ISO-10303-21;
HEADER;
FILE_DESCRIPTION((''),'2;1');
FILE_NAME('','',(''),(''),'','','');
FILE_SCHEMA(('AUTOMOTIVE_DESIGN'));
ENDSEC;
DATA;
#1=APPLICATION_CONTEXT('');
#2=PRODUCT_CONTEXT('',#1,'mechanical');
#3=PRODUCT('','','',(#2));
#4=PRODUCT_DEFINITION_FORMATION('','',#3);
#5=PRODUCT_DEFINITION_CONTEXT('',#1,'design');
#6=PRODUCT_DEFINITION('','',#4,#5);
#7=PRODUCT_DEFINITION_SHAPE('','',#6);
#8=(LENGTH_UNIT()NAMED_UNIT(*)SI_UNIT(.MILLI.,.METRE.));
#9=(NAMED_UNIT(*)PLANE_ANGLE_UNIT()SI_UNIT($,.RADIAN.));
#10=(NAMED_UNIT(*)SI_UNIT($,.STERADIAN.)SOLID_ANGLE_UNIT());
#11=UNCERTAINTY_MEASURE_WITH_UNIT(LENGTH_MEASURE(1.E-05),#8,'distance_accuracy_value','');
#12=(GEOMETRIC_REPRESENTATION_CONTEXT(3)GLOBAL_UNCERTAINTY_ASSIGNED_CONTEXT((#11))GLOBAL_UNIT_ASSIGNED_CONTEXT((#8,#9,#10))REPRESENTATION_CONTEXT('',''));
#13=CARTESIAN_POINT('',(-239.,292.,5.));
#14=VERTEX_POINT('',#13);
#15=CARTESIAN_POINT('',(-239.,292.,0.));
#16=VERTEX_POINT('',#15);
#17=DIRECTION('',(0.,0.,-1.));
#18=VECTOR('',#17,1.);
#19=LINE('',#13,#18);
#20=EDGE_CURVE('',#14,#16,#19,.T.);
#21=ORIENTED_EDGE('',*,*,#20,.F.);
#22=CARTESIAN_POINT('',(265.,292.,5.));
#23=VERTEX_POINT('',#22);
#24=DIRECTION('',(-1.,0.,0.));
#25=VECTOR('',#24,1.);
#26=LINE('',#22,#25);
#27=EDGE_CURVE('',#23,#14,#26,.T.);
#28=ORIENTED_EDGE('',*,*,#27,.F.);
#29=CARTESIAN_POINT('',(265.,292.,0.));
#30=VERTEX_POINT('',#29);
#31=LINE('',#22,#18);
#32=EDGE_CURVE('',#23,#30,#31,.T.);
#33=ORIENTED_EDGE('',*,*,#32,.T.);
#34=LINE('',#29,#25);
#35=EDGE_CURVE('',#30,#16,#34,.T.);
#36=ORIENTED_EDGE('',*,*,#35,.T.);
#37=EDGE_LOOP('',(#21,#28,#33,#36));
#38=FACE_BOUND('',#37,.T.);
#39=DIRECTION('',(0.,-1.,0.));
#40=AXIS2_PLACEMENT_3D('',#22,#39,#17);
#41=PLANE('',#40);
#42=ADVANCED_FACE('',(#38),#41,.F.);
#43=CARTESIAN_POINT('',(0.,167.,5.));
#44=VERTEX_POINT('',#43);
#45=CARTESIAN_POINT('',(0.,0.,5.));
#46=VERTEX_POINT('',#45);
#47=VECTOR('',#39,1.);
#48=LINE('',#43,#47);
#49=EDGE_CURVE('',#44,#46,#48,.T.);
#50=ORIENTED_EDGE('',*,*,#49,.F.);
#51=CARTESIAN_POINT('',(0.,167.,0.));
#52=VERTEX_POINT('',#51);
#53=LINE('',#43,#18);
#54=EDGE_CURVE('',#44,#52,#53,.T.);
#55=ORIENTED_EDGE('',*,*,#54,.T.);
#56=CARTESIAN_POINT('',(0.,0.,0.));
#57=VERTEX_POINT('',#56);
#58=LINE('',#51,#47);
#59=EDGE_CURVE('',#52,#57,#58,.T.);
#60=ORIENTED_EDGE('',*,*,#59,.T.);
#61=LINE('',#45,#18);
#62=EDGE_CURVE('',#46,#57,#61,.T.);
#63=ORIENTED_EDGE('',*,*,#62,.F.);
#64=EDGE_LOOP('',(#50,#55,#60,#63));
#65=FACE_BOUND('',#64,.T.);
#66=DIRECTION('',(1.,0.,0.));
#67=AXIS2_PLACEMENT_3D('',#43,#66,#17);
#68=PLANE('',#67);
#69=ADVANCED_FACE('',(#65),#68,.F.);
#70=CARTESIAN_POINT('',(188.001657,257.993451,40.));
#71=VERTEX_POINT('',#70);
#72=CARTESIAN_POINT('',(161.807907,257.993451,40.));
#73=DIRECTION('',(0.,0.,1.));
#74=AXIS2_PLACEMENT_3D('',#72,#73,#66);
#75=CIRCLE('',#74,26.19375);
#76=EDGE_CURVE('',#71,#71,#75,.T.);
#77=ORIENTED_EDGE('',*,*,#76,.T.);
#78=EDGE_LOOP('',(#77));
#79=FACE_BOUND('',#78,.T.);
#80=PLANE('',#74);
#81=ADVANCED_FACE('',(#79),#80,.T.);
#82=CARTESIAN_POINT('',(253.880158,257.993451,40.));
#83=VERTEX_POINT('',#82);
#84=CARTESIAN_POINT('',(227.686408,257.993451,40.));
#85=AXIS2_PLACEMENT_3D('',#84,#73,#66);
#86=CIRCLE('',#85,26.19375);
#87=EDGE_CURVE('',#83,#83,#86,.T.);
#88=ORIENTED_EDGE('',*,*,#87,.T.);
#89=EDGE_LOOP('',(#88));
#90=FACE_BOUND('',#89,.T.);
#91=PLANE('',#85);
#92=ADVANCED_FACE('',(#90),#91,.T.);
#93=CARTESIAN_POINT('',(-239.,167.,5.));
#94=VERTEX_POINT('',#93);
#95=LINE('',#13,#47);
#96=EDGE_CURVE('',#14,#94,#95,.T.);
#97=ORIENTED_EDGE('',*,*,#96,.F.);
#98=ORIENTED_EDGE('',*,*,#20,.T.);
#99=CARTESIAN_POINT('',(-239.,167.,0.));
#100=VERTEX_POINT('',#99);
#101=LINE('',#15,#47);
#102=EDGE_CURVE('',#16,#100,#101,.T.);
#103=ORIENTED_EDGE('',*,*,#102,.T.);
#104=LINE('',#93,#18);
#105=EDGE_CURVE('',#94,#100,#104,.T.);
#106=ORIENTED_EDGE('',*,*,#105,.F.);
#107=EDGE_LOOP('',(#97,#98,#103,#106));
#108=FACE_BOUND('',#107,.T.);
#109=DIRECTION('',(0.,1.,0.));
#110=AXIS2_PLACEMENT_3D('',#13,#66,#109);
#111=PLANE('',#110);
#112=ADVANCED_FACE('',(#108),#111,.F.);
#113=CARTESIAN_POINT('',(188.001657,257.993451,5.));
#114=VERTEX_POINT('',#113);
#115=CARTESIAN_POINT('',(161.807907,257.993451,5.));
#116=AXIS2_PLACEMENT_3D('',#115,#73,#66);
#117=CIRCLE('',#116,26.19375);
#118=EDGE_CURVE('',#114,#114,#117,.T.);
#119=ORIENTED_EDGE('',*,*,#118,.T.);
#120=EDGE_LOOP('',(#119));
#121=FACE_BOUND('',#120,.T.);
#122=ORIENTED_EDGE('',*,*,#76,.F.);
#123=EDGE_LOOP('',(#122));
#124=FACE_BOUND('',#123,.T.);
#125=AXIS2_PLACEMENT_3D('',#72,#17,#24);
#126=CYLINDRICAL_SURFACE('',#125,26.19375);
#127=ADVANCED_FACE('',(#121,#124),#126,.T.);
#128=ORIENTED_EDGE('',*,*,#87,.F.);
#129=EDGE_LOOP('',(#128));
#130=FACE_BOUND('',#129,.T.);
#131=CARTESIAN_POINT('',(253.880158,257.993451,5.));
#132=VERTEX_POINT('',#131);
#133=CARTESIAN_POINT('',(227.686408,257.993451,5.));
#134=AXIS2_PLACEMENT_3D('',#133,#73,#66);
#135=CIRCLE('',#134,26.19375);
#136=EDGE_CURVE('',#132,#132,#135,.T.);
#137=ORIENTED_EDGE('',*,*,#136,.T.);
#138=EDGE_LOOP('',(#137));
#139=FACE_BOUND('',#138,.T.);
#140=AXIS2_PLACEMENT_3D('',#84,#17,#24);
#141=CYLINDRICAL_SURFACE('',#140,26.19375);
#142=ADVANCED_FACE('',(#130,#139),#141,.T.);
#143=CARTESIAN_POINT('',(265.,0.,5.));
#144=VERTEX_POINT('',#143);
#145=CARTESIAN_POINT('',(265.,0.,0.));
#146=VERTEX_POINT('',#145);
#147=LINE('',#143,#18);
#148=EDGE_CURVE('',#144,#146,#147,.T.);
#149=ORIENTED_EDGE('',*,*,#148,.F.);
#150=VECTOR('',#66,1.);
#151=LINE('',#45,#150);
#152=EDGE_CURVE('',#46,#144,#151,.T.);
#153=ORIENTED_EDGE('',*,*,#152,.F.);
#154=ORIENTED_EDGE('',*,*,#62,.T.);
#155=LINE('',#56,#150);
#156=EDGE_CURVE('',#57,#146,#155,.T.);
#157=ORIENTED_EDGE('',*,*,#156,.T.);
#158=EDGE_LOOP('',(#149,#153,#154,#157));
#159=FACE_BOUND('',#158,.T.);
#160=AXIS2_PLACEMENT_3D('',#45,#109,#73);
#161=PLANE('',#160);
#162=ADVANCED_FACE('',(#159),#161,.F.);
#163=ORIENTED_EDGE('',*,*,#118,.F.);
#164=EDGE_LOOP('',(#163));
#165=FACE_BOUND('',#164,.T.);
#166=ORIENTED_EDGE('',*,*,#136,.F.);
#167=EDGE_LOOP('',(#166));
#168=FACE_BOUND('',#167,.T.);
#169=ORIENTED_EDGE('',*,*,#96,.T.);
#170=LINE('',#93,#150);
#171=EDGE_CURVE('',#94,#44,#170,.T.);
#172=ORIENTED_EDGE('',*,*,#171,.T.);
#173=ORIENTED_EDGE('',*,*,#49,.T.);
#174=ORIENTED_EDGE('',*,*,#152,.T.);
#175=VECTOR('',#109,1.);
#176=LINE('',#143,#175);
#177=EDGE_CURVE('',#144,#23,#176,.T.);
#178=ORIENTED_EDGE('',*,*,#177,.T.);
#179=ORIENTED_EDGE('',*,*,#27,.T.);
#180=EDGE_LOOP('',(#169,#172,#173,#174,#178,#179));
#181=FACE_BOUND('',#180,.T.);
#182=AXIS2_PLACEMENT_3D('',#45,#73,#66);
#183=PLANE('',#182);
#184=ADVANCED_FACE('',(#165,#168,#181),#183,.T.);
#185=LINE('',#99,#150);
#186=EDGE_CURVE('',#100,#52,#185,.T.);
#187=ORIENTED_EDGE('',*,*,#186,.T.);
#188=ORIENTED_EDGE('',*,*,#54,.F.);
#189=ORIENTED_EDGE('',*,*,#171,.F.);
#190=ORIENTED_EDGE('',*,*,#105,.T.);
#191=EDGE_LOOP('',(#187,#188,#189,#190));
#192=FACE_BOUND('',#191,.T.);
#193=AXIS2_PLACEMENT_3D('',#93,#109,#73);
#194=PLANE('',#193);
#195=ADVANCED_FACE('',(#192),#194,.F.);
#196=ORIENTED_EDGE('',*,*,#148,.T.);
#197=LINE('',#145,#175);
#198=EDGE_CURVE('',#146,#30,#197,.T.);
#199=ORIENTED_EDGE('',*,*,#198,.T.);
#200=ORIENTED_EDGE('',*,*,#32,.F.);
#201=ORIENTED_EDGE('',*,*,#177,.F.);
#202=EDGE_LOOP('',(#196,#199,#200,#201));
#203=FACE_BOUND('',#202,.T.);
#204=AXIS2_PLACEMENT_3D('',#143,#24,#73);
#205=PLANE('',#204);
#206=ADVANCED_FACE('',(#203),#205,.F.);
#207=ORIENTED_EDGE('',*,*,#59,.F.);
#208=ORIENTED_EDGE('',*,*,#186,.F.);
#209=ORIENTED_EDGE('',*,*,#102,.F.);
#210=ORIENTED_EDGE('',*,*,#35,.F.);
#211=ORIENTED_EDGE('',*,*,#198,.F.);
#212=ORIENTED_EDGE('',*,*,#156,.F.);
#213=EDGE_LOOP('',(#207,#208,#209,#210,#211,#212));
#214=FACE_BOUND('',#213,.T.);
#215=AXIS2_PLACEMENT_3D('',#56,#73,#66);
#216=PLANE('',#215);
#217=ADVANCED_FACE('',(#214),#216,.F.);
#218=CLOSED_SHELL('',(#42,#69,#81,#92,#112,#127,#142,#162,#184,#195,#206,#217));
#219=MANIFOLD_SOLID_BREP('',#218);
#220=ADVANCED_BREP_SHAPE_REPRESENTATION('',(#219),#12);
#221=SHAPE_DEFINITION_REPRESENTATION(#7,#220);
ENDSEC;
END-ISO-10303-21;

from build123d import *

# Parameters (mm, degrees)
BOSS_EXTRUDE1_DEPTH = 5
SKETCH2_R           = 26.19375
BOSS_EXTRUDE2_DEPTH = 35


with BuildPart() as part:
    # Sketch1 → Boss-Extrude1 (new body)
    with BuildSketch(Plane.XY):
        Polygon((0, 0), (265, 0), (265, 292), (-239, 292), (-239, 167), (0, 167), align=None)
    extrude(amount=BOSS_EXTRUDE1_DEPTH)

    # Sketch2 → Boss-Extrude2 (add)
    with BuildSketch(Plane.XY.offset(5)):
        with Locations((227.686407853, 257.993451028)):
            Circle(SKETCH2_R)
        with Locations((161.807907248, 257.993451028)):
            Circle(SKETCH2_R)
    extrude(amount=BOSS_EXTRUDE2_DEPTH)


solid = part.part
